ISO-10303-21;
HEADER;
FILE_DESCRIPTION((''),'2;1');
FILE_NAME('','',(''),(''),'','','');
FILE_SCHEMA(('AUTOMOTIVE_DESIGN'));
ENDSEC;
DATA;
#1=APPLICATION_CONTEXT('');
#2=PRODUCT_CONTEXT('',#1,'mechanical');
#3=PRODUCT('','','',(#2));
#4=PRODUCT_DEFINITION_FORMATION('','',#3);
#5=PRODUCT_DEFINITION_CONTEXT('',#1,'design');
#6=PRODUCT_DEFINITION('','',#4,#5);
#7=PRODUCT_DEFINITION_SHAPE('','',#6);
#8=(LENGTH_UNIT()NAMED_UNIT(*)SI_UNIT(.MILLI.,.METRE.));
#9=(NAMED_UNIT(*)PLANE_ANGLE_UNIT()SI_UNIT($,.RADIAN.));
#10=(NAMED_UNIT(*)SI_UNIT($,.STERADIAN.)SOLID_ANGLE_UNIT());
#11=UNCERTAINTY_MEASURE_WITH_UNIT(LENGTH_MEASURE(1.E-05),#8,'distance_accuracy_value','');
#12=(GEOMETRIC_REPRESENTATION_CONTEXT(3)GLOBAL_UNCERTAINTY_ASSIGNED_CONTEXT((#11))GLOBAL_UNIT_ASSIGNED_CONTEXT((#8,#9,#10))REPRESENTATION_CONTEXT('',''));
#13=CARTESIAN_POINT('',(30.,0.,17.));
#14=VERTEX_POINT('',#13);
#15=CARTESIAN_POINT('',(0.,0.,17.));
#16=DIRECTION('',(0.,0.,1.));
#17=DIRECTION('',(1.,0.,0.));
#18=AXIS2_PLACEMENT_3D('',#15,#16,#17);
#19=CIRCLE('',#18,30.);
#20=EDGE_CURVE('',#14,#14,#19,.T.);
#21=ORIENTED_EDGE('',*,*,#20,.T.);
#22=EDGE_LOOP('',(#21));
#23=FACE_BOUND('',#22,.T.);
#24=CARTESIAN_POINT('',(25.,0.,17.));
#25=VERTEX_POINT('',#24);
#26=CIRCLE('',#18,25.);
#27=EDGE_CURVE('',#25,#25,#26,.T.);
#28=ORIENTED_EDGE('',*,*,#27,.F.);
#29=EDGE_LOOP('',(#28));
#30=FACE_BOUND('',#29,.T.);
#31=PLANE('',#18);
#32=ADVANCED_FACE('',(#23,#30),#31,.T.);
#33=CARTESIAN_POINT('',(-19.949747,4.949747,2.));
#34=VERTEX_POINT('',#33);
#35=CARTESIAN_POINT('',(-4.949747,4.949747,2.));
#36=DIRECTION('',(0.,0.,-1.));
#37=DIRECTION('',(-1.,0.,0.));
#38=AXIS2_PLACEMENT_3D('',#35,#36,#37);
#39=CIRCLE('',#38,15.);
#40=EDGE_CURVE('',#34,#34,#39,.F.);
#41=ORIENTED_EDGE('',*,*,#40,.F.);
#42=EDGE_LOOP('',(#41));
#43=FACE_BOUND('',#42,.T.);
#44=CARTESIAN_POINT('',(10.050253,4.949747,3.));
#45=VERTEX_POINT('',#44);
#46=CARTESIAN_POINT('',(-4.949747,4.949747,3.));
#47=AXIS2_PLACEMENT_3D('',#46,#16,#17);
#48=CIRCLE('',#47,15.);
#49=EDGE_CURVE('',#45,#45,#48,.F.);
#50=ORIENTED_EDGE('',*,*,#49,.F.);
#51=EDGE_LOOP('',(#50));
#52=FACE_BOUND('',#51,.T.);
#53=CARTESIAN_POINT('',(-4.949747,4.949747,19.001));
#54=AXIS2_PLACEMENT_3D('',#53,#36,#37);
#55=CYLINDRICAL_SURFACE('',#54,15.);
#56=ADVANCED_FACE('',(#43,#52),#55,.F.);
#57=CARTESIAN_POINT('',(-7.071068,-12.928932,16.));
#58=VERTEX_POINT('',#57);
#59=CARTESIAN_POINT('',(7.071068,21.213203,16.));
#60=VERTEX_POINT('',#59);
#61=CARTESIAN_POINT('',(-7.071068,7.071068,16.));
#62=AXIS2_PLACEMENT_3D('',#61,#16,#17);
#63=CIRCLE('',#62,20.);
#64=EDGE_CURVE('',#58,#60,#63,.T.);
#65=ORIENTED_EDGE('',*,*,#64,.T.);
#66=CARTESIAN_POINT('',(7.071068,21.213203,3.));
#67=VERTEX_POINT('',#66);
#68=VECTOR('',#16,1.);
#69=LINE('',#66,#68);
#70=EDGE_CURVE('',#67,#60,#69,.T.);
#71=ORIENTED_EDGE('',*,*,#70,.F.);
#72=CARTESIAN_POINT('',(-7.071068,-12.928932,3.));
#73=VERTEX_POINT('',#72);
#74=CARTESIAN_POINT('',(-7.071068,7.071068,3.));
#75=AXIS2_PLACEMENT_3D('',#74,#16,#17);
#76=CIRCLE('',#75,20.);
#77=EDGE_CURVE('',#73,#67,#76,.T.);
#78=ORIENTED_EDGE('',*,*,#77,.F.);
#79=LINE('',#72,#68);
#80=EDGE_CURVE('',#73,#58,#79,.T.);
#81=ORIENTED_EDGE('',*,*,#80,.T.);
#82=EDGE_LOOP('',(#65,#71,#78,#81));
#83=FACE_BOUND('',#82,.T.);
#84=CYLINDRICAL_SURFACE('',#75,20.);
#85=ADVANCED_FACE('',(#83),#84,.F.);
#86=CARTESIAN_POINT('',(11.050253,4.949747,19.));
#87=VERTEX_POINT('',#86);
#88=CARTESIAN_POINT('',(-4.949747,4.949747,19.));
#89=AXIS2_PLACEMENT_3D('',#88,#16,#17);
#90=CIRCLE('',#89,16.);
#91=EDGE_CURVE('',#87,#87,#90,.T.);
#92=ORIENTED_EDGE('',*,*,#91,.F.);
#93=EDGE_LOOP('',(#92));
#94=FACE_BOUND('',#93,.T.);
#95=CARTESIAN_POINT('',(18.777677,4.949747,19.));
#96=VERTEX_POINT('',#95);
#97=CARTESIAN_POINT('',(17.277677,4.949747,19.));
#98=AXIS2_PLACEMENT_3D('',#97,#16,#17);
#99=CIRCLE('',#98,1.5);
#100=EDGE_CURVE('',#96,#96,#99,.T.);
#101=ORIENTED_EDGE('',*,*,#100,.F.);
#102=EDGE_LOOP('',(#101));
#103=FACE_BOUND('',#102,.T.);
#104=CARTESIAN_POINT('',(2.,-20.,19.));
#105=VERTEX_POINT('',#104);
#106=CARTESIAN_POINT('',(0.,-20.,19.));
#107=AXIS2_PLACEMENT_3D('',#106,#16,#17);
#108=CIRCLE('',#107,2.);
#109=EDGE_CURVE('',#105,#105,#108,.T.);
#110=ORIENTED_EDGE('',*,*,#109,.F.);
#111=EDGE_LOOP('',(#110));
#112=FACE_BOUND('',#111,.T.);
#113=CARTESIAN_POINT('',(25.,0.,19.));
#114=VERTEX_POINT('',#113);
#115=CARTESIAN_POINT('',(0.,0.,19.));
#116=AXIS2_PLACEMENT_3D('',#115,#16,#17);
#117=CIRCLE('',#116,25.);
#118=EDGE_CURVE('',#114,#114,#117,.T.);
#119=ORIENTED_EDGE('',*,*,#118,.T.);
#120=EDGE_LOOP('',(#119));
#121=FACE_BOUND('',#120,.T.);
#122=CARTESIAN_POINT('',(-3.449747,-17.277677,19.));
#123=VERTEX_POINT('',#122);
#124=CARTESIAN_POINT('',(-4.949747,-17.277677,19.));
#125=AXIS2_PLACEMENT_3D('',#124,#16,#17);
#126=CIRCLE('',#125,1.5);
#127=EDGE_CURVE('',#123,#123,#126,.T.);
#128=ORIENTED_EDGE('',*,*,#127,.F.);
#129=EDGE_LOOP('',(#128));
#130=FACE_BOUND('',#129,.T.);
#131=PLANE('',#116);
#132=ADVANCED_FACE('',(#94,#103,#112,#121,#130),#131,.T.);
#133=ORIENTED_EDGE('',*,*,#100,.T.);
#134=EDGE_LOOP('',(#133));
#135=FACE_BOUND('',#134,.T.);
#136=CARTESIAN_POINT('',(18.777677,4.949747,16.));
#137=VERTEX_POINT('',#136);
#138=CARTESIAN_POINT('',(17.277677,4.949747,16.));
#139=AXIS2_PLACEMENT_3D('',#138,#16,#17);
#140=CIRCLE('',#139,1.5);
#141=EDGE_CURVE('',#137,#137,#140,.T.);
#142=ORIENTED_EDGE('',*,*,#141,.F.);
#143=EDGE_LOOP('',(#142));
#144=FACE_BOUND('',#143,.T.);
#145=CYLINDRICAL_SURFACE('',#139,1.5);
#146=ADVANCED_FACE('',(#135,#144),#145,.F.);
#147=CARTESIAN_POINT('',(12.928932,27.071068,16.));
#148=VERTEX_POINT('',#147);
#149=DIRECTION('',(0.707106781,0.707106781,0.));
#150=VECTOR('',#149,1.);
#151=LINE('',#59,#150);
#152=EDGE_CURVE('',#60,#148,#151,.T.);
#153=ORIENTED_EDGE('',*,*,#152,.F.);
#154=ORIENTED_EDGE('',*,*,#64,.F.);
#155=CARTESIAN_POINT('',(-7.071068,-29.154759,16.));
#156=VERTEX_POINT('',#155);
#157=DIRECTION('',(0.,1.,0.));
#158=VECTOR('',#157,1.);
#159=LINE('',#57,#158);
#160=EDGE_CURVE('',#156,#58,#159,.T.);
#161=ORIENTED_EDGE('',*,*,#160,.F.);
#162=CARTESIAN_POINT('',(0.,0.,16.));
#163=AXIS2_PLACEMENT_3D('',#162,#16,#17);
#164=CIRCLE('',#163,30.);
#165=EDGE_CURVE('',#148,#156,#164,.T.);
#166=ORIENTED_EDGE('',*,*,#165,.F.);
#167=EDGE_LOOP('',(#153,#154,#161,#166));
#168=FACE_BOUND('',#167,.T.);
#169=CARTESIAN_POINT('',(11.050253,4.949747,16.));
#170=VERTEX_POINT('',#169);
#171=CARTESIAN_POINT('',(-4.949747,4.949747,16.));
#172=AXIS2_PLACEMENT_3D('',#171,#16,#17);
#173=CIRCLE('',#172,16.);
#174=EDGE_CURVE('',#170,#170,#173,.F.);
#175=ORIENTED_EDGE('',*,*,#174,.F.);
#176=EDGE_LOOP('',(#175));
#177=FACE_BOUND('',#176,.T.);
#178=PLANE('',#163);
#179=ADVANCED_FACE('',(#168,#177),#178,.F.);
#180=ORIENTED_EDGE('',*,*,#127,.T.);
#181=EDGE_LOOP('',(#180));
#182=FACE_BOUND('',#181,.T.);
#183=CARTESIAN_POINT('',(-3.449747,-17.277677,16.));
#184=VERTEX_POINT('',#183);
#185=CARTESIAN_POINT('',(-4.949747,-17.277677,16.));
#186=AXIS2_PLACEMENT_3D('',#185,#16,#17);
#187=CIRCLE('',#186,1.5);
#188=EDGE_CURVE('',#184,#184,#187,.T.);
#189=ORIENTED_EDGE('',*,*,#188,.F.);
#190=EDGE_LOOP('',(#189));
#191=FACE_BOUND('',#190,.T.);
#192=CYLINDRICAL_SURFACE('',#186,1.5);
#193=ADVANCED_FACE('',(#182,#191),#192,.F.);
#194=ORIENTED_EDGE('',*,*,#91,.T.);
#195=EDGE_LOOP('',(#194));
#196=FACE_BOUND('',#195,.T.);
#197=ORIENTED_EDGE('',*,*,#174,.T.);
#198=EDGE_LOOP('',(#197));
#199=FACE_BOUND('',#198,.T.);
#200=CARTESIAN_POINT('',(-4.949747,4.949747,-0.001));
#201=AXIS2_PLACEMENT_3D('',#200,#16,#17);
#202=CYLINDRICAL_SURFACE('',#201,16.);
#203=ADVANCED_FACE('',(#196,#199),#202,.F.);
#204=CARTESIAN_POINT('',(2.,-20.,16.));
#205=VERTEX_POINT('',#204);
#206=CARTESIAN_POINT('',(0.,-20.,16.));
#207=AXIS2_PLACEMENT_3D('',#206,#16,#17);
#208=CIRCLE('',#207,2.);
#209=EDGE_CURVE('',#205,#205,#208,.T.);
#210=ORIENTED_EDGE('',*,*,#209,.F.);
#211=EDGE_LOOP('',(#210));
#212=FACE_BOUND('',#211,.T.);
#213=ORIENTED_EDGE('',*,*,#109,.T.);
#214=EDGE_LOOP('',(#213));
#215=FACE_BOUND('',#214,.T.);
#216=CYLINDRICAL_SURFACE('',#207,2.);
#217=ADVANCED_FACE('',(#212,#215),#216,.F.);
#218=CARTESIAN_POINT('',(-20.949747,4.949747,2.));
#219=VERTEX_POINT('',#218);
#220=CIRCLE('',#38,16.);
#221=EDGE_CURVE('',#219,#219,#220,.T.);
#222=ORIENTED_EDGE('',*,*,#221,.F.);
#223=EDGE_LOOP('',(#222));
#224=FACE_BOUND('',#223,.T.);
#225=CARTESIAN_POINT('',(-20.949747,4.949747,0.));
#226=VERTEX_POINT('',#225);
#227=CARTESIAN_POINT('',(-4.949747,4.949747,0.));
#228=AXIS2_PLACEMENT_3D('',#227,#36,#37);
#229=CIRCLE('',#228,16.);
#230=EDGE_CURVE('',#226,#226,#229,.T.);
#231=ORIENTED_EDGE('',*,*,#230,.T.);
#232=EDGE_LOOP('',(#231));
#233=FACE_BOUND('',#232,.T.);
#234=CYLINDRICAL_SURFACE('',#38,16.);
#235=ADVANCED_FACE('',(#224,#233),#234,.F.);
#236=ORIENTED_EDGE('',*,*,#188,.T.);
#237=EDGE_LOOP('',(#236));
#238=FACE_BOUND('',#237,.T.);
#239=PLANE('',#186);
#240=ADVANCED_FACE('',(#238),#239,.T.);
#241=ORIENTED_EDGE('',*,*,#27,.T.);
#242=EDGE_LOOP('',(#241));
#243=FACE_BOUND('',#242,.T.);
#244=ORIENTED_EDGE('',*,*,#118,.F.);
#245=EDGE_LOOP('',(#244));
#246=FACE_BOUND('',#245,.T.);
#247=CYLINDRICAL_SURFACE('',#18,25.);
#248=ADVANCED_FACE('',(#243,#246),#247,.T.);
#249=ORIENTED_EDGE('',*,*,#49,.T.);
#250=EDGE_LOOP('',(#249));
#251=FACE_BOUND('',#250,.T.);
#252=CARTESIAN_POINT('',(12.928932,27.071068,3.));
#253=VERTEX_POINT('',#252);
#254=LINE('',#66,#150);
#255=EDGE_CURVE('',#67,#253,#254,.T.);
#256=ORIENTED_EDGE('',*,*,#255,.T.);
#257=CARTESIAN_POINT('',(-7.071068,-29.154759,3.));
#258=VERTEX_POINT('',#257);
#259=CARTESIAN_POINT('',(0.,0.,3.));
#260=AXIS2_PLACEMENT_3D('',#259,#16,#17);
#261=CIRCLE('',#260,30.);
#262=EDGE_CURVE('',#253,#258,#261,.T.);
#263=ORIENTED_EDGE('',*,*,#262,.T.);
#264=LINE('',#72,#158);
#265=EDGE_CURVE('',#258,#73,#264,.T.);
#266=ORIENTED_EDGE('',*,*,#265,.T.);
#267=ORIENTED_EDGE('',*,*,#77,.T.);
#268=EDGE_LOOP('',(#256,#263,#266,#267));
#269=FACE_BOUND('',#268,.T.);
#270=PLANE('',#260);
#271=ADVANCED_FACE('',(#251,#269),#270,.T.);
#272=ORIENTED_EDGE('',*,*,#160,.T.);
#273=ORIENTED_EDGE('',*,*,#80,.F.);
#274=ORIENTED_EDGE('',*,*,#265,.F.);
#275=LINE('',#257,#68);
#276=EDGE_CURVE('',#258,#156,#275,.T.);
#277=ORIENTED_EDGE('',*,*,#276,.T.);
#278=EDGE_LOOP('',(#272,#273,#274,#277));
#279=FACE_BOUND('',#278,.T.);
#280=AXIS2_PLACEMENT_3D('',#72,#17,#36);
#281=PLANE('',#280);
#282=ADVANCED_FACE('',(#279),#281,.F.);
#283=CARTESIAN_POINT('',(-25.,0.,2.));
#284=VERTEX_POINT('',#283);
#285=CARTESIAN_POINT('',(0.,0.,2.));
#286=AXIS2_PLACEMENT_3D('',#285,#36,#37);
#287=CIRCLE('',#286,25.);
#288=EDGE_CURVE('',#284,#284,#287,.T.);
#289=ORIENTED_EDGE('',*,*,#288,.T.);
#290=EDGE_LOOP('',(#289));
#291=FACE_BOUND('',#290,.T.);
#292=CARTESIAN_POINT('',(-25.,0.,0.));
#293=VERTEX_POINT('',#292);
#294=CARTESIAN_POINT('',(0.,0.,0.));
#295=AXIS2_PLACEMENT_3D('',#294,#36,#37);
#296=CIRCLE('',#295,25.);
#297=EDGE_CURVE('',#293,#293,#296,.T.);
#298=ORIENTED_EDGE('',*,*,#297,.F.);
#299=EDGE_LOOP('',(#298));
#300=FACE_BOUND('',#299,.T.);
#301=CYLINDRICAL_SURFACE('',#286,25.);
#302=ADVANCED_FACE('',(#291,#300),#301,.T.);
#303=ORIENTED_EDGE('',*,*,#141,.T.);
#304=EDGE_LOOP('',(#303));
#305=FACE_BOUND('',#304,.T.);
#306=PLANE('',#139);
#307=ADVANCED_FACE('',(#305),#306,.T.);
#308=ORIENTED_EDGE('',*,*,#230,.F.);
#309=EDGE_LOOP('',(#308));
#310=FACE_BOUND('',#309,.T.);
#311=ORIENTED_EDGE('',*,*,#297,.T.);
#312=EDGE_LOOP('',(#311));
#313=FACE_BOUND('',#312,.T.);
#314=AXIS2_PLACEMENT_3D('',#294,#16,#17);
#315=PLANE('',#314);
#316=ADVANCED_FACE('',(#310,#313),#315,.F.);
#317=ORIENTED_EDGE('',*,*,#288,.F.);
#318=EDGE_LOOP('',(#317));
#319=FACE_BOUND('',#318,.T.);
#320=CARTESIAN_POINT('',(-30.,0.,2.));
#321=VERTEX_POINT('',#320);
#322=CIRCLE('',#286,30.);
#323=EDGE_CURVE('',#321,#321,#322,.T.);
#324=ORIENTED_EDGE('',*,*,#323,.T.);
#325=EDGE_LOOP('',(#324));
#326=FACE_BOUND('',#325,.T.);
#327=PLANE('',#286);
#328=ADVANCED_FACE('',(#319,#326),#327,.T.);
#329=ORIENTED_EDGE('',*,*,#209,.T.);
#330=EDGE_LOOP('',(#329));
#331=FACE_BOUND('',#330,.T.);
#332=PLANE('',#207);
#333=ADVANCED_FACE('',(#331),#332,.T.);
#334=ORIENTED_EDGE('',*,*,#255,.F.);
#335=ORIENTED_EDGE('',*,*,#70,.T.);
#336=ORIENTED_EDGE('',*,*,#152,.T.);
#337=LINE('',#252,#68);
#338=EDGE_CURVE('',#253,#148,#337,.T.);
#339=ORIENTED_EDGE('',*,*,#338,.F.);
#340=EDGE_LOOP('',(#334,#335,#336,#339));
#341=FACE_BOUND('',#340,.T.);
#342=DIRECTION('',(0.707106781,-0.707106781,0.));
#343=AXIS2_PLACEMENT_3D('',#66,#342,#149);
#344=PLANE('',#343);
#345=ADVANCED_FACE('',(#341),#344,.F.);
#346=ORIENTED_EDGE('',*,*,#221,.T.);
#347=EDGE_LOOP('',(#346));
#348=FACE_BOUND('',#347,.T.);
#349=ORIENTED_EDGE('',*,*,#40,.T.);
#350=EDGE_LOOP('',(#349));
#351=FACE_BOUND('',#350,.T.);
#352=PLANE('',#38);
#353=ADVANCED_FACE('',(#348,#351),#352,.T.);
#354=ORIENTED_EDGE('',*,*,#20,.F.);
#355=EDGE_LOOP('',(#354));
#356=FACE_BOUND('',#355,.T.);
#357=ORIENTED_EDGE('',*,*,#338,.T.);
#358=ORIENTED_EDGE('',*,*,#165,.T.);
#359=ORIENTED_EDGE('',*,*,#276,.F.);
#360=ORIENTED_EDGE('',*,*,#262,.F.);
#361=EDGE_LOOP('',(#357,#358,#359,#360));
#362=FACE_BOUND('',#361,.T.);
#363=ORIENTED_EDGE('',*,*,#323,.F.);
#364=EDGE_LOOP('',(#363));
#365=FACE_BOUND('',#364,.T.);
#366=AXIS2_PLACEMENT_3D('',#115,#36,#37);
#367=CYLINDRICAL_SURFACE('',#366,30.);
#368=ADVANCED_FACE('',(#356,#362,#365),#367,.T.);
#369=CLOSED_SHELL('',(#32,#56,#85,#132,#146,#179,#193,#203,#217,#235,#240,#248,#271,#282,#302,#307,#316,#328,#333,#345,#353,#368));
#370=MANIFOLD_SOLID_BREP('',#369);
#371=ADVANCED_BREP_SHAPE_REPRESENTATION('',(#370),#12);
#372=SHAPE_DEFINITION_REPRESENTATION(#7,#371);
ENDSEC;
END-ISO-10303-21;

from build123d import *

# Parameters (mm, degrees)
SKETCH1_R           = 30
BOSS_EXTRUDE1_DEPTH = 19
CUT_EXTRUDE1_START  = -2
SKETCH2_R           = 30
SKETCH2_R_2         = 25
CUT_EXTRUDE1_DEPTH  = 2
SKETCH3_R           = 30
SKETCH3_R_2         = 25
CUT_EXTRUDE2_DEPTH  = 2
CUT_EXTRUDE3_DEPTH  = 6.5
CUT_EXTRUDE4_REACH  = 48.487
SKETCH11_R          = 16
CUT_EXTRUDE5_REACH  = 48.487
SKETCH12_R          = 15
CUT_EXTRUDE6_START  = -2
SKETCH13_R          = 16
CUT_EXTRUDE6_DEPTH  = 2
SKETCH14_R          = 2
CUT_EXTRUDE7_DEPTH  = 3
CUT_EXTRUDE8_START  = -3
SKETCH15_R          = 1.5
SKETCH15_R_2        = 15
CUT_EXTRUDE8_DEPTH  = 3


with BuildPart() as part:
    # Sketch1 → Boss-Extrude1 (new body)
    with BuildSketch(Plane.XY):
        Circle(SKETCH1_R)
    extrude(amount=BOSS_EXTRUDE1_DEPTH)

    # Sketch2 → Cut-Extrude1 (cut)
    with BuildSketch(Plane.XY.offset(19).offset(CUT_EXTRUDE1_START)):
        Circle(SKETCH2_R)
        Circle(SKETCH2_R_2, mode=Mode.SUBTRACT)
    extrude(amount=CUT_EXTRUDE1_DEPTH, mode=Mode.SUBTRACT)

    # Sketch3 → Cut-Extrude2 (cut)
    with BuildSketch(Plane(origin=(0, 0, 0), x_dir=(-1, 0, 0), z_dir=(0, 0, -1))):
        Circle(SKETCH3_R)
        with Locations(Location((0, 0, 0), (0, 0, 180))):
            Circle(SKETCH3_R_2, mode=Mode.SUBTRACT)
    extrude(amount=-CUT_EXTRUDE2_DEPTH, mode=Mode.SUBTRACT)

    # Sketch10 → Cut-Extrude3 (cut, symmetric)
    with BuildSketch(Plane.XY.offset(9.5)):
        with BuildLine():
            Line((-7.071067812, -12.928932188), (-7.071067812, -29.154759474))
            ThreePointArc((-7.071067812, -29.154759474), (-28.265076636, 10.054125657), (12.928932188, 27.071067812))
            Line((12.928932188, 27.071067812), (7.071067812, 21.213203436))
            ThreePointArc((7.071067812, 21.213203436), (11.406522838, -0.582600835), (-7.071067812, -12.928932188))
        make_face()
    extrude(amount=CUT_EXTRUDE3_DEPTH, both=True, mode=Mode.SUBTRACT)

    # Sketch11 → Cut-Extrude4 (cut, up to next)
    with BuildSketch(Plane.XY.offset(19), mode=Mode.PRIVATE) as cut_extrude4_sk1:
        with Locations((-4.949747468, 4.949747468)):
            Circle(SKETCH11_R)
    cut_extrude4_tool1 = extrude(cut_extrude4_sk1.sketch, amount=-CUT_EXTRUDE4_REACH, mode=Mode.PRIVATE) & part.part
    add(cut_extrude4_tool1.solids().sort_by_distance((-4.949747, 4.949747, 19))[0], mode=Mode.SUBTRACT)

    # Sketch12 → Cut-Extrude5 (cut, up to next)
    with BuildSketch(Plane(origin=(0, 0, 0), x_dir=(-1, 0, 0), z_dir=(0, 0, -1)), mode=Mode.PRIVATE) as cut_extrude5_sk1:
        with Locations((4.949747468, 4.949747468)):
            Circle(SKETCH12_R)
    cut_extrude5_tool1 = extrude(cut_extrude5_sk1.sketch, amount=-CUT_EXTRUDE5_REACH, mode=Mode.PRIVATE) & part.part
    add(cut_extrude5_tool1.solids().sort_by_distance((-4.949747, 4.949747, 0))[0], mode=Mode.SUBTRACT)

    # Sketch13 → Cut-Extrude6 (cut)
    with BuildSketch(Plane(origin=(0, 0, 0), x_dir=(-1, 0, 0), z_dir=(0, 0, -1)).offset(CUT_EXTRUDE6_START)):
        with Locations(Location((4.949747468, 4.949747468, 0), (0, 0, 180))):
            Circle(SKETCH13_R)
    extrude(amount=CUT_EXTRUDE6_DEPTH, mode=Mode.SUBTRACT)

    # Sketch14 → Cut-Extrude7 (cut)
    with BuildSketch(Plane.XY.offset(19)):
        with Locations((0, -20)):
            Circle(SKETCH14_R)
    extrude(amount=-CUT_EXTRUDE7_DEPTH, mode=Mode.SUBTRACT)

    # Sketch15 → Cut-Extrude8 (cut)
    with BuildSketch(Plane.XY.offset(19).offset(CUT_EXTRUDE8_START)):
        with Locations((-4.949747468, -17.277677021)):
            Circle(SKETCH15_R)
        with Locations(Location((-4.949747468, 4.949747468, 0), (0, 0, 180))):
            Circle(SKETCH15_R_2)
        with Locations((17.277677021, 4.949747468)):
            Circle(SKETCH15_R)
    extrude(amount=CUT_EXTRUDE8_DEPTH, mode=Mode.SUBTRACT)


solid = part.part
